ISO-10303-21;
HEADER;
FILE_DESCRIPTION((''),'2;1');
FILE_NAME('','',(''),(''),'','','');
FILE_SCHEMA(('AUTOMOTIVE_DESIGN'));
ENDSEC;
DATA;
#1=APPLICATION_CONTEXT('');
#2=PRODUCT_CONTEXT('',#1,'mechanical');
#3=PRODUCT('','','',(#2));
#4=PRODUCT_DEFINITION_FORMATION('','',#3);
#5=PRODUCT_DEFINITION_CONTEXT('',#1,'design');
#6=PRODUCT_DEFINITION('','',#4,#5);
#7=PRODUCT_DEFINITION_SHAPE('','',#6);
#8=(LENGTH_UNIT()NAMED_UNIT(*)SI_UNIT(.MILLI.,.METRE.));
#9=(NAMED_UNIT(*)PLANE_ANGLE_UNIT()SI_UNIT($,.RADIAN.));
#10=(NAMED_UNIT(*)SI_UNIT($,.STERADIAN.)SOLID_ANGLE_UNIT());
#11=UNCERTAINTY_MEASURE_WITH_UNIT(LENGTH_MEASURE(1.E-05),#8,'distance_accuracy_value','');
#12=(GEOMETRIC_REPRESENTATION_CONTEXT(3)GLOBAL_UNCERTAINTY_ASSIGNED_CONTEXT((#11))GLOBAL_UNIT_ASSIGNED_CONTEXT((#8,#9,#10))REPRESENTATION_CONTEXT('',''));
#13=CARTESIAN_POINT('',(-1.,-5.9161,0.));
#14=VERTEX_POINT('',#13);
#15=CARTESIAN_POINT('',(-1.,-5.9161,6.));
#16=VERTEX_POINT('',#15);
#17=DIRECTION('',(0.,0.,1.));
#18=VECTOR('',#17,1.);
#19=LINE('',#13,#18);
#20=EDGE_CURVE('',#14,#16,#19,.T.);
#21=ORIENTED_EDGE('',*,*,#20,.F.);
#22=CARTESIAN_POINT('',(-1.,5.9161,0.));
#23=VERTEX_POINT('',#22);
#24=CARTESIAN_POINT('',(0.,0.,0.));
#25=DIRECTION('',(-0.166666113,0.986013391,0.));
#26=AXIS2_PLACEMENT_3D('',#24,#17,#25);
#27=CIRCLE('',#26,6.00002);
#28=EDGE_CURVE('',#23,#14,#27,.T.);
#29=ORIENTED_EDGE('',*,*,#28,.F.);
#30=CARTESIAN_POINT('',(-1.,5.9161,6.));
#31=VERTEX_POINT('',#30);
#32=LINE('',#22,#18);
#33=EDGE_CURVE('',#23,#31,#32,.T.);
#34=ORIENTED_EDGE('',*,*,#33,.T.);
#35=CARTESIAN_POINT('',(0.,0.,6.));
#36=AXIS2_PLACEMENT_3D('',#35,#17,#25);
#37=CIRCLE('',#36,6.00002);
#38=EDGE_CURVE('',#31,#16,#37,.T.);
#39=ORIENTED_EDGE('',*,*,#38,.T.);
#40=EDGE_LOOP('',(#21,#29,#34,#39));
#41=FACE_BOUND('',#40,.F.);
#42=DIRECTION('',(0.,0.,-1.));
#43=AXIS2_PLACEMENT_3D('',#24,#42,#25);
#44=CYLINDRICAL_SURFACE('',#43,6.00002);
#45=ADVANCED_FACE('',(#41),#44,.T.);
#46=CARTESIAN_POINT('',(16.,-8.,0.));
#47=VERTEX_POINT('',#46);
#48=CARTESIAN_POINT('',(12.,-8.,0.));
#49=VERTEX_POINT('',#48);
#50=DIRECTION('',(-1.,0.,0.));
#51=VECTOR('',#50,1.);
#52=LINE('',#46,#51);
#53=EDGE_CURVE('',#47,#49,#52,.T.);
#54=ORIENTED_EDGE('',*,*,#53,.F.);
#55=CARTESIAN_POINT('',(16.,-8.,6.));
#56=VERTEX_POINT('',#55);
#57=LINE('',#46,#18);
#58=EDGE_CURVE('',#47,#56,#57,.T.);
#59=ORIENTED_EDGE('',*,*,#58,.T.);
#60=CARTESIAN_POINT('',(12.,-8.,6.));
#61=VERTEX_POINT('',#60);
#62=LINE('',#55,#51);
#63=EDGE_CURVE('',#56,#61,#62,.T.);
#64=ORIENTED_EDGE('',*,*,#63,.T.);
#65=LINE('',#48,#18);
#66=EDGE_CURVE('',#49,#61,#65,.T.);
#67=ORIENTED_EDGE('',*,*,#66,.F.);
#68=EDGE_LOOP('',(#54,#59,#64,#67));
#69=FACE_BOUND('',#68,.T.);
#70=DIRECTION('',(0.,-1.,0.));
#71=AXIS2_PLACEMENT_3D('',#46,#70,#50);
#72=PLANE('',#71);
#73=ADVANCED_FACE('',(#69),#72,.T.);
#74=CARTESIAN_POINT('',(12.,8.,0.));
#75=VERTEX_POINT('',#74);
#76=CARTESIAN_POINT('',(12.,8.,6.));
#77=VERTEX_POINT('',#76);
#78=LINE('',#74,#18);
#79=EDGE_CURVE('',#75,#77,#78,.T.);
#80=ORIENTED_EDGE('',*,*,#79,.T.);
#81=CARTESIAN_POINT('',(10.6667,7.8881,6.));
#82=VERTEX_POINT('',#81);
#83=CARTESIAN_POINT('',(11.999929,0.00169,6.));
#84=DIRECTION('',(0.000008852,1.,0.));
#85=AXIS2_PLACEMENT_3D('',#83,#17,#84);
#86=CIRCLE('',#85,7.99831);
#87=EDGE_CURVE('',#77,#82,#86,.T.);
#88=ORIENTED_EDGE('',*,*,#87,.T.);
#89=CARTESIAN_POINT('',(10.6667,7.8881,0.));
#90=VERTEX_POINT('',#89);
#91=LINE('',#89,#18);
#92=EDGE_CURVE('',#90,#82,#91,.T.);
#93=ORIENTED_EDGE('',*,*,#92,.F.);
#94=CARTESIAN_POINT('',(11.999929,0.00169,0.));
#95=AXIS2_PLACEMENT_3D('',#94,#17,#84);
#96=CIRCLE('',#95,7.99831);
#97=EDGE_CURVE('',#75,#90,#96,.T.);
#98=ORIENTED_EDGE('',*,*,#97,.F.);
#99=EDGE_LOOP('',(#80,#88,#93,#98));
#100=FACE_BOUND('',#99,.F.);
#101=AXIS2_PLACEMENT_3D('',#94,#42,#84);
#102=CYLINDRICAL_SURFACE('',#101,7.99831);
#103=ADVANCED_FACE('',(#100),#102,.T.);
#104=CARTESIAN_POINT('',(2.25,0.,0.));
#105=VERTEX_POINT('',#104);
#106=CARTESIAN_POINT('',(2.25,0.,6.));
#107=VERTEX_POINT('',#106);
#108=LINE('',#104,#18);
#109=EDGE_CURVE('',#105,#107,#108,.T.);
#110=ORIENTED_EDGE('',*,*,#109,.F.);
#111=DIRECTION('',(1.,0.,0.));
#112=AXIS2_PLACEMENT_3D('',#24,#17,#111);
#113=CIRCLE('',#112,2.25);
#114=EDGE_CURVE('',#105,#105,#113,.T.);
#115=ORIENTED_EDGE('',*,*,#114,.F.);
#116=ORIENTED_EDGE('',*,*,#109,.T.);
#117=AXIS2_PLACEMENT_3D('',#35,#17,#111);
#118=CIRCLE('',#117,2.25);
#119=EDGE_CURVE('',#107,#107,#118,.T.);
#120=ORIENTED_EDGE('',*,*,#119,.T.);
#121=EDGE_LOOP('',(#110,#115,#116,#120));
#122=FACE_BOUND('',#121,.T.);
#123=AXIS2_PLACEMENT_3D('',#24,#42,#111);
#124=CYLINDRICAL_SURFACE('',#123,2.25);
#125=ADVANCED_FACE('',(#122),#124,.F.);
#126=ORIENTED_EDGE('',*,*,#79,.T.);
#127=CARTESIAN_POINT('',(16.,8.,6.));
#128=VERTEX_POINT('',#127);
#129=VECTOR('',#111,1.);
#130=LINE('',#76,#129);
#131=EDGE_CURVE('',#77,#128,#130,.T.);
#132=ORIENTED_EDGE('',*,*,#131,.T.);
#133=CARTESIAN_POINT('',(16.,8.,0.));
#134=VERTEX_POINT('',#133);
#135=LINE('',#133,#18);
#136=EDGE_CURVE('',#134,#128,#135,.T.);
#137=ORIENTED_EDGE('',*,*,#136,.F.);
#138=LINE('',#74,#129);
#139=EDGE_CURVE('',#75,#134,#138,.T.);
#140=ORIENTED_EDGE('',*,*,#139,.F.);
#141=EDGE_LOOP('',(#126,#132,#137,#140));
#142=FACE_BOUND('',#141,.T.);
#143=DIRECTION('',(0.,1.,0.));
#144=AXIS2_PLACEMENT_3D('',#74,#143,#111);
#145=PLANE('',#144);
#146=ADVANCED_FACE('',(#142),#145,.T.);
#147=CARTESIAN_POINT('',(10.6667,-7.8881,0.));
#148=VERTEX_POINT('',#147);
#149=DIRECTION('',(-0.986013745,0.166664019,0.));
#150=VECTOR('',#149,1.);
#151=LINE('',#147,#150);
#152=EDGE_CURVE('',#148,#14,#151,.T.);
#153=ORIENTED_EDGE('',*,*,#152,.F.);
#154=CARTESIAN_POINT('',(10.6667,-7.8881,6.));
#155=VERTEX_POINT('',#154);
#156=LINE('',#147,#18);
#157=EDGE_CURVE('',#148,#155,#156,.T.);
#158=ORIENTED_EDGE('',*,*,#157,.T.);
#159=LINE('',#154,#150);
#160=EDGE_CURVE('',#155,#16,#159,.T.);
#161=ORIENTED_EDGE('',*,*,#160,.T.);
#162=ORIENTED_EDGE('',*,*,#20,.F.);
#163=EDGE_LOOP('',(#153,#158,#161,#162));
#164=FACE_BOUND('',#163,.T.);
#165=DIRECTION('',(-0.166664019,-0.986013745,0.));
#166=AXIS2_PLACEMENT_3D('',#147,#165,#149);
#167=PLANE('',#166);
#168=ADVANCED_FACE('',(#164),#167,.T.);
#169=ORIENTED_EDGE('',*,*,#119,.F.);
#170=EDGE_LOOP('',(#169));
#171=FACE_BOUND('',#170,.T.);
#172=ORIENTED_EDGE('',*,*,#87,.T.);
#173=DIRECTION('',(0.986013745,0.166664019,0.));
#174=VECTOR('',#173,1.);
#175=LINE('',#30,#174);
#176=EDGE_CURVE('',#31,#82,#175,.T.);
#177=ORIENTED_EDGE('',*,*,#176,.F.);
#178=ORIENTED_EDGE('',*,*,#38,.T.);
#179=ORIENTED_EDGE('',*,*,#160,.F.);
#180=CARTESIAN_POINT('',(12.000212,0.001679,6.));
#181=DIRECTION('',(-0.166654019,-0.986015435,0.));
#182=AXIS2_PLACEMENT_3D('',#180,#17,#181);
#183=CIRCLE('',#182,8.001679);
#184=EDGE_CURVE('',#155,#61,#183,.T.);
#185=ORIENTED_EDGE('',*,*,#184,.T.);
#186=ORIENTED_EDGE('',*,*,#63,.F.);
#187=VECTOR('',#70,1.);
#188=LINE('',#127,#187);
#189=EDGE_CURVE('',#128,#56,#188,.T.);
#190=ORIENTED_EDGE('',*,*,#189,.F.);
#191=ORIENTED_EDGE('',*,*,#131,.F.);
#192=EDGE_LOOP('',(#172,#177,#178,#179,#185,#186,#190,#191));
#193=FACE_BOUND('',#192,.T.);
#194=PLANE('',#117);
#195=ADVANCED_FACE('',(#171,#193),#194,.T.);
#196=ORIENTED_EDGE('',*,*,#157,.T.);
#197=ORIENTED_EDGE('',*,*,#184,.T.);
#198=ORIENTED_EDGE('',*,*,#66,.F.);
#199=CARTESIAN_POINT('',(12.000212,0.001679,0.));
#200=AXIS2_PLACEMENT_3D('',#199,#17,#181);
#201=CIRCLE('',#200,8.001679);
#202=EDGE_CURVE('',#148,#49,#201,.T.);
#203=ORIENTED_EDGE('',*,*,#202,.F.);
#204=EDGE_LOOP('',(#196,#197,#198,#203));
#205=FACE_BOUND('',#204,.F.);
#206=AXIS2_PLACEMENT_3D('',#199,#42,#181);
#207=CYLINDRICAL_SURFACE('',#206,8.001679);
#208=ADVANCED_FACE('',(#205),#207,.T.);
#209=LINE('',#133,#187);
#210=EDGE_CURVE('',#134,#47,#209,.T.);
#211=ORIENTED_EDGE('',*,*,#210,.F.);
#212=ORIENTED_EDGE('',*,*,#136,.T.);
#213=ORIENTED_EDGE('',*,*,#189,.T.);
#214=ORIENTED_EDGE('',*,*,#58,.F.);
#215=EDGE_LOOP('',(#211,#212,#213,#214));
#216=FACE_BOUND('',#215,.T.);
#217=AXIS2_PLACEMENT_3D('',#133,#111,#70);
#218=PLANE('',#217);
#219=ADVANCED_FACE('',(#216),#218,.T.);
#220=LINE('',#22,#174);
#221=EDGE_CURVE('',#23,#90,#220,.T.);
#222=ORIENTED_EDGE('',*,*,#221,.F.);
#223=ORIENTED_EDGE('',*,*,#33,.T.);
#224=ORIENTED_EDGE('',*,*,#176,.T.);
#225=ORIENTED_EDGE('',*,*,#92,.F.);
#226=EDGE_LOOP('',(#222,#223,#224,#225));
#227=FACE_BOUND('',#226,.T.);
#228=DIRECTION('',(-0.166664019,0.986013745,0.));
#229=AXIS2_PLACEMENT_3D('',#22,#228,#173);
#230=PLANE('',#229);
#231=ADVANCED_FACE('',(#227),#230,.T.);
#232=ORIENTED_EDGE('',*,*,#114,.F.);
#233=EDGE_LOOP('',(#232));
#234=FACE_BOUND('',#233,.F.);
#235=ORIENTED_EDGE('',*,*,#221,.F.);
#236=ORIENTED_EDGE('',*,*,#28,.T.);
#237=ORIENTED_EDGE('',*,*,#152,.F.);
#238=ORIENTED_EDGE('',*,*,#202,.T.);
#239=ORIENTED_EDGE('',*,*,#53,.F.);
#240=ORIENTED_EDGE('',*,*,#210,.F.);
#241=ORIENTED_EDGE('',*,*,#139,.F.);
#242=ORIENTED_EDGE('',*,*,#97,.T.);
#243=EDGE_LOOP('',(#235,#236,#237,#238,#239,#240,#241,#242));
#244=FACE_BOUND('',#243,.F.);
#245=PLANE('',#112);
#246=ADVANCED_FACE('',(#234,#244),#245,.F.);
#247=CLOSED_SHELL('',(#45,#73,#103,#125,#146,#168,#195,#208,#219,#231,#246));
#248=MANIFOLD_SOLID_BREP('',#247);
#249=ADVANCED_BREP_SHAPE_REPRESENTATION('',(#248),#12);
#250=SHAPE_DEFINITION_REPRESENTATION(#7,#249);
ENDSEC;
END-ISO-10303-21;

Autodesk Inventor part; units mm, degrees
ref_plane "YZ Plane" through (0, 0, 0) normal (1, 0, 0) x (0, 1, 0)
ref_plane "XZ Plane" through (0, 0, 0) normal (0, 1, 0) x (-1, 0, 0)
ref_plane "XY Plane" through (0, 0, 0) normal (0, 0, 1) x (1, 0, 0)
sketch "Sketch1" plane through (0, 0, 0) normal (0, 0, 1) x (1, 0, 0)
  line L0 (-1, 5.9161) -> (10.6667, 7.8881)
  arc A0 (12, 8) -> (10.6667, 7.8881) centre (12, 0) ccw
  line L1 (12, 8) -> (16, 8)
  line L2 (16, 8) -> (16, -8)
  line L3 (16, -8) -> (12, -8)
  arc A1 (10.6667, -7.8881) -> (12, -8) centre (12, 0) ccw
  line L4 (10.6667, -7.8881) -> (-1, -5.9161)
  arc A2 (-1, 5.9161) -> (-1, -5.9161) centre (0, 0) ccw
  circle A3 centre (0, 0) radius 2.25
  circle A4 centre (0, 0) radius 4.5 construction
  point P0 (16, 0)
  dimension "d0" = 8
  dimension "d1" = 8
  dimension "d2" = 6
  dimension "d3" = 4.5
  dimension "d4" = 9
  dimension "d5" = 12
  dimension "d6" = 4
extrude "Extrusion1" add sketch "Sketch1" along normal blind 6
equation "\"d1\" = d0"
properties part number "y_axis_cap_front_panel"
